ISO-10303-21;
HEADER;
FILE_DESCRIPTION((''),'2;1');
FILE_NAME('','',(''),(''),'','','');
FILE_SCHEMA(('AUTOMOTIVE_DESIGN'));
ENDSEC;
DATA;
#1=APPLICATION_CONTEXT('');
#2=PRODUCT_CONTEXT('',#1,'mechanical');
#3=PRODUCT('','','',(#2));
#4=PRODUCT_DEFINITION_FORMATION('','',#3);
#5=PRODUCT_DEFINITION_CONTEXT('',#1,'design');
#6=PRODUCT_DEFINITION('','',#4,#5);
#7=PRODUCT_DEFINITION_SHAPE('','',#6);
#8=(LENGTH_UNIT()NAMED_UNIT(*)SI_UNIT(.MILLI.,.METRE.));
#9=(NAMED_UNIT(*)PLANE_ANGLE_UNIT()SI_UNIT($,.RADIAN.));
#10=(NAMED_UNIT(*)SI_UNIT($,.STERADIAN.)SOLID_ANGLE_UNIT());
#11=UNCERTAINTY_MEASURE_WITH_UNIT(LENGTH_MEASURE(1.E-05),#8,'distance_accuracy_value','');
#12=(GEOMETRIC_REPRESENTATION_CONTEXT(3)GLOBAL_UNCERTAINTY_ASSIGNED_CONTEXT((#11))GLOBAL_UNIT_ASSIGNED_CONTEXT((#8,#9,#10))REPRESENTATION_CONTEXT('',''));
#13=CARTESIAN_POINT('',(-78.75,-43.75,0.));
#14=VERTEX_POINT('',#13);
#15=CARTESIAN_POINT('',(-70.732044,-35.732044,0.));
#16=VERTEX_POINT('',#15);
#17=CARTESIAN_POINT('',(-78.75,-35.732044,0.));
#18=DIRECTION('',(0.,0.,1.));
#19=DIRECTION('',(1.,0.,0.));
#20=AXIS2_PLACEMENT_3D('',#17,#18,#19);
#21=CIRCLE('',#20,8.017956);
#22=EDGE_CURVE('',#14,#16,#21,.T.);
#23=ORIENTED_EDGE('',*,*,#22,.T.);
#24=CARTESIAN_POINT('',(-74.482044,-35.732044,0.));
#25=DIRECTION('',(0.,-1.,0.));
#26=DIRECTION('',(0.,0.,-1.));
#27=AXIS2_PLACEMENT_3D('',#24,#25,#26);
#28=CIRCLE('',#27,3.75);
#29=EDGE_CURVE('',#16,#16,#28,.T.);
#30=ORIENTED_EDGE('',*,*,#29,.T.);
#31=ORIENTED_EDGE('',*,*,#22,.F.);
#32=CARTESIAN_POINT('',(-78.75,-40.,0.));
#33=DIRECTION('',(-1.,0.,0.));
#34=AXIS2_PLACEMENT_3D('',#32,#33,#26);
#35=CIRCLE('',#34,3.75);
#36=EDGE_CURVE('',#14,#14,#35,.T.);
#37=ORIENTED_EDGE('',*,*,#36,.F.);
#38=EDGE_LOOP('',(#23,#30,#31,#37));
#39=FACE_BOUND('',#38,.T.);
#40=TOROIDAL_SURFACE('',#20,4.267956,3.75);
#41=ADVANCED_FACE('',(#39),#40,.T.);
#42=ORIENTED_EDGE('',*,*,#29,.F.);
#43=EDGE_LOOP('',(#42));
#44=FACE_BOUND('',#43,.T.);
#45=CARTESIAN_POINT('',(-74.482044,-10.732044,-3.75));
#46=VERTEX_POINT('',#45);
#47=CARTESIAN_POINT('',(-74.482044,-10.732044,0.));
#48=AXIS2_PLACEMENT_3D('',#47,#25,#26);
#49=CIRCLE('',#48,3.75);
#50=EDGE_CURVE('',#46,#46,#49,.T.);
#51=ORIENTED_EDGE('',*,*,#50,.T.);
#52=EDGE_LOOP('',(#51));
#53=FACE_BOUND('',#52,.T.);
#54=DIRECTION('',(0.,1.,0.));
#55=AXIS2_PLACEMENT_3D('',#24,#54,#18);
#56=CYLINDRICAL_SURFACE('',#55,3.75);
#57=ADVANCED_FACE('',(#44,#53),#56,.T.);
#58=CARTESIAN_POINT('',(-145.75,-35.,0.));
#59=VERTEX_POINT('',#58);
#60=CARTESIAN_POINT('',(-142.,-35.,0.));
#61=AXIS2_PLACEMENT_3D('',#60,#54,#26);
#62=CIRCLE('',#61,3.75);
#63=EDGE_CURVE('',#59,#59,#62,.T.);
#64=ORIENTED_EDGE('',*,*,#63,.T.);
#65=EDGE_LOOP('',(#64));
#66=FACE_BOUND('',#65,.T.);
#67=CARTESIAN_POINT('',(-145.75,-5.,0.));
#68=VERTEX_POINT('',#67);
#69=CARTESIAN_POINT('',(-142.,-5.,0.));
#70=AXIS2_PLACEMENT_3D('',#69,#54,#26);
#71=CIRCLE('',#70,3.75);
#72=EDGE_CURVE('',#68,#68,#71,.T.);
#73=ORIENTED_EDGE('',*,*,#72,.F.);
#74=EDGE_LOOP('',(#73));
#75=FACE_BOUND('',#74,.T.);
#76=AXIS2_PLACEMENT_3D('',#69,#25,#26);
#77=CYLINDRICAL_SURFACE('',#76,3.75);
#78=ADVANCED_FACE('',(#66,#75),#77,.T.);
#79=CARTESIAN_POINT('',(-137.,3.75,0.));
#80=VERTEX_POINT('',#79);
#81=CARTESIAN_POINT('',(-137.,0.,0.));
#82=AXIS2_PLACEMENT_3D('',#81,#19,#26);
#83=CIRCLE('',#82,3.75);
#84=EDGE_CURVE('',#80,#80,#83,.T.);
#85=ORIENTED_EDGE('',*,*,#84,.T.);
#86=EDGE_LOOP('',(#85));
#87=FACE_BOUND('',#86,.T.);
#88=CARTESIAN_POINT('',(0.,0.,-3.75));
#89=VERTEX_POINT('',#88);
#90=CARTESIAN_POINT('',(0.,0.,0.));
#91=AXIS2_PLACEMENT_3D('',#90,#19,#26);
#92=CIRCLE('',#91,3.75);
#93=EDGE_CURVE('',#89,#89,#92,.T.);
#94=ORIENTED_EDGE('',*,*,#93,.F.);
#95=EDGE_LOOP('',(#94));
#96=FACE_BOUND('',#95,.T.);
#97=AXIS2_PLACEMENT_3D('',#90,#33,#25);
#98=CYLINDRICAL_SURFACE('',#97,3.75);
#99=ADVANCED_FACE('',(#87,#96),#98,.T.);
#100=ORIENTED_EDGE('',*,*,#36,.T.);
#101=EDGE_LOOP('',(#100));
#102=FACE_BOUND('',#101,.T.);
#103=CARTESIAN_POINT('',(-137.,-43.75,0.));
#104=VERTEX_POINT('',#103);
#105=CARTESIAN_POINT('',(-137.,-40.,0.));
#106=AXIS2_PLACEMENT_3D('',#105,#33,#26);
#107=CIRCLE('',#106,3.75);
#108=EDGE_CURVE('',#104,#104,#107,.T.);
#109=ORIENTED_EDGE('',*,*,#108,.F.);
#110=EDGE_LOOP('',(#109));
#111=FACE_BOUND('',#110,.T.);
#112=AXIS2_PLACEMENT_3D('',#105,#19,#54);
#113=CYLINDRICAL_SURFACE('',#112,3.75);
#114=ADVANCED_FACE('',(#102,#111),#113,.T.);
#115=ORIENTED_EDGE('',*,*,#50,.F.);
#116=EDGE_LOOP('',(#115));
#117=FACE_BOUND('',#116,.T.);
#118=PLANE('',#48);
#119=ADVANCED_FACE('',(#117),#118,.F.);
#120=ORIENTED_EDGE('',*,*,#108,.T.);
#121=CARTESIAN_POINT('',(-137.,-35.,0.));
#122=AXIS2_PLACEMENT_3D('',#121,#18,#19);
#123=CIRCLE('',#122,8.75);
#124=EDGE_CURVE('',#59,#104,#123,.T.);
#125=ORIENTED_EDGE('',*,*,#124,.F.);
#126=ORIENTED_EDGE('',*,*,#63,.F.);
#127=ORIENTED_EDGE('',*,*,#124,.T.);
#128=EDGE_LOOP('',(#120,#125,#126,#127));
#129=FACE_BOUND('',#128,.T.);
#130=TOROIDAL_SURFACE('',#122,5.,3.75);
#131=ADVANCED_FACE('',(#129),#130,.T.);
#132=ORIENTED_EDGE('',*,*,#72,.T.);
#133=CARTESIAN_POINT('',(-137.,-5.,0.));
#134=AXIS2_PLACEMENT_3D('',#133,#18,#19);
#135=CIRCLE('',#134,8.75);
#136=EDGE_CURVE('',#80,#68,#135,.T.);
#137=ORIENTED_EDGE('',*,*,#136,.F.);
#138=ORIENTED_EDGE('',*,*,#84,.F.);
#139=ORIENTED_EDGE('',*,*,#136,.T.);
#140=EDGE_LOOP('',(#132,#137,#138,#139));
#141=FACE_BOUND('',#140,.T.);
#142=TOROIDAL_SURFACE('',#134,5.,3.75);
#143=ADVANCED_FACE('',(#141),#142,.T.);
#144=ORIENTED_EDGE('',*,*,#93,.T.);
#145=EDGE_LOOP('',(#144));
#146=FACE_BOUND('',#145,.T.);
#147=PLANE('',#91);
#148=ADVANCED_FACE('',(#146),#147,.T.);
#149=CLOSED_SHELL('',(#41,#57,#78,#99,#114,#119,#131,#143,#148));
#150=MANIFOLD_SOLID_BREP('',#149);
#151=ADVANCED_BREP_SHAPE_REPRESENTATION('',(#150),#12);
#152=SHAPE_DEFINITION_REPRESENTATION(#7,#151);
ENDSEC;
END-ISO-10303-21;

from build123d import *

# Parameters (mm, degrees)
SKETCH2_R = 3.75


with BuildPart() as part:
    # Sweep1: sweep along a path in Sketch1
    with BuildLine(Plane.XY) as sweep1_path:
        Line((0, 0), (-137, 0))
        ThreePointArc((-137, 0), (-140.535533906, -1.464466094), (-142, -5))
        Line((-142, -5), (-142, -35))
        ThreePointArc((-142, -35), (-140.535533906, -38.535533906), (-137, -40))
        Line((-137, -40), (-78.75, -40))
        ThreePointArc((-78.75, -40), (-75.732099511, -38.749944688), (-74.482044199, -35.732044199))
        Line((-74.482044199, -35.732044199), (-74.482044199, -10.732044199))
    # Sketch2 → Sweep1 (sweep)
    with BuildSketch(Plane(origin=(0, 0, 0), x_dir=(0, 0, -1), z_dir=(1, 0, 0))):
        Circle(SKETCH2_R)
    sweep(path=sweep1_path.line)


solid = part.part
